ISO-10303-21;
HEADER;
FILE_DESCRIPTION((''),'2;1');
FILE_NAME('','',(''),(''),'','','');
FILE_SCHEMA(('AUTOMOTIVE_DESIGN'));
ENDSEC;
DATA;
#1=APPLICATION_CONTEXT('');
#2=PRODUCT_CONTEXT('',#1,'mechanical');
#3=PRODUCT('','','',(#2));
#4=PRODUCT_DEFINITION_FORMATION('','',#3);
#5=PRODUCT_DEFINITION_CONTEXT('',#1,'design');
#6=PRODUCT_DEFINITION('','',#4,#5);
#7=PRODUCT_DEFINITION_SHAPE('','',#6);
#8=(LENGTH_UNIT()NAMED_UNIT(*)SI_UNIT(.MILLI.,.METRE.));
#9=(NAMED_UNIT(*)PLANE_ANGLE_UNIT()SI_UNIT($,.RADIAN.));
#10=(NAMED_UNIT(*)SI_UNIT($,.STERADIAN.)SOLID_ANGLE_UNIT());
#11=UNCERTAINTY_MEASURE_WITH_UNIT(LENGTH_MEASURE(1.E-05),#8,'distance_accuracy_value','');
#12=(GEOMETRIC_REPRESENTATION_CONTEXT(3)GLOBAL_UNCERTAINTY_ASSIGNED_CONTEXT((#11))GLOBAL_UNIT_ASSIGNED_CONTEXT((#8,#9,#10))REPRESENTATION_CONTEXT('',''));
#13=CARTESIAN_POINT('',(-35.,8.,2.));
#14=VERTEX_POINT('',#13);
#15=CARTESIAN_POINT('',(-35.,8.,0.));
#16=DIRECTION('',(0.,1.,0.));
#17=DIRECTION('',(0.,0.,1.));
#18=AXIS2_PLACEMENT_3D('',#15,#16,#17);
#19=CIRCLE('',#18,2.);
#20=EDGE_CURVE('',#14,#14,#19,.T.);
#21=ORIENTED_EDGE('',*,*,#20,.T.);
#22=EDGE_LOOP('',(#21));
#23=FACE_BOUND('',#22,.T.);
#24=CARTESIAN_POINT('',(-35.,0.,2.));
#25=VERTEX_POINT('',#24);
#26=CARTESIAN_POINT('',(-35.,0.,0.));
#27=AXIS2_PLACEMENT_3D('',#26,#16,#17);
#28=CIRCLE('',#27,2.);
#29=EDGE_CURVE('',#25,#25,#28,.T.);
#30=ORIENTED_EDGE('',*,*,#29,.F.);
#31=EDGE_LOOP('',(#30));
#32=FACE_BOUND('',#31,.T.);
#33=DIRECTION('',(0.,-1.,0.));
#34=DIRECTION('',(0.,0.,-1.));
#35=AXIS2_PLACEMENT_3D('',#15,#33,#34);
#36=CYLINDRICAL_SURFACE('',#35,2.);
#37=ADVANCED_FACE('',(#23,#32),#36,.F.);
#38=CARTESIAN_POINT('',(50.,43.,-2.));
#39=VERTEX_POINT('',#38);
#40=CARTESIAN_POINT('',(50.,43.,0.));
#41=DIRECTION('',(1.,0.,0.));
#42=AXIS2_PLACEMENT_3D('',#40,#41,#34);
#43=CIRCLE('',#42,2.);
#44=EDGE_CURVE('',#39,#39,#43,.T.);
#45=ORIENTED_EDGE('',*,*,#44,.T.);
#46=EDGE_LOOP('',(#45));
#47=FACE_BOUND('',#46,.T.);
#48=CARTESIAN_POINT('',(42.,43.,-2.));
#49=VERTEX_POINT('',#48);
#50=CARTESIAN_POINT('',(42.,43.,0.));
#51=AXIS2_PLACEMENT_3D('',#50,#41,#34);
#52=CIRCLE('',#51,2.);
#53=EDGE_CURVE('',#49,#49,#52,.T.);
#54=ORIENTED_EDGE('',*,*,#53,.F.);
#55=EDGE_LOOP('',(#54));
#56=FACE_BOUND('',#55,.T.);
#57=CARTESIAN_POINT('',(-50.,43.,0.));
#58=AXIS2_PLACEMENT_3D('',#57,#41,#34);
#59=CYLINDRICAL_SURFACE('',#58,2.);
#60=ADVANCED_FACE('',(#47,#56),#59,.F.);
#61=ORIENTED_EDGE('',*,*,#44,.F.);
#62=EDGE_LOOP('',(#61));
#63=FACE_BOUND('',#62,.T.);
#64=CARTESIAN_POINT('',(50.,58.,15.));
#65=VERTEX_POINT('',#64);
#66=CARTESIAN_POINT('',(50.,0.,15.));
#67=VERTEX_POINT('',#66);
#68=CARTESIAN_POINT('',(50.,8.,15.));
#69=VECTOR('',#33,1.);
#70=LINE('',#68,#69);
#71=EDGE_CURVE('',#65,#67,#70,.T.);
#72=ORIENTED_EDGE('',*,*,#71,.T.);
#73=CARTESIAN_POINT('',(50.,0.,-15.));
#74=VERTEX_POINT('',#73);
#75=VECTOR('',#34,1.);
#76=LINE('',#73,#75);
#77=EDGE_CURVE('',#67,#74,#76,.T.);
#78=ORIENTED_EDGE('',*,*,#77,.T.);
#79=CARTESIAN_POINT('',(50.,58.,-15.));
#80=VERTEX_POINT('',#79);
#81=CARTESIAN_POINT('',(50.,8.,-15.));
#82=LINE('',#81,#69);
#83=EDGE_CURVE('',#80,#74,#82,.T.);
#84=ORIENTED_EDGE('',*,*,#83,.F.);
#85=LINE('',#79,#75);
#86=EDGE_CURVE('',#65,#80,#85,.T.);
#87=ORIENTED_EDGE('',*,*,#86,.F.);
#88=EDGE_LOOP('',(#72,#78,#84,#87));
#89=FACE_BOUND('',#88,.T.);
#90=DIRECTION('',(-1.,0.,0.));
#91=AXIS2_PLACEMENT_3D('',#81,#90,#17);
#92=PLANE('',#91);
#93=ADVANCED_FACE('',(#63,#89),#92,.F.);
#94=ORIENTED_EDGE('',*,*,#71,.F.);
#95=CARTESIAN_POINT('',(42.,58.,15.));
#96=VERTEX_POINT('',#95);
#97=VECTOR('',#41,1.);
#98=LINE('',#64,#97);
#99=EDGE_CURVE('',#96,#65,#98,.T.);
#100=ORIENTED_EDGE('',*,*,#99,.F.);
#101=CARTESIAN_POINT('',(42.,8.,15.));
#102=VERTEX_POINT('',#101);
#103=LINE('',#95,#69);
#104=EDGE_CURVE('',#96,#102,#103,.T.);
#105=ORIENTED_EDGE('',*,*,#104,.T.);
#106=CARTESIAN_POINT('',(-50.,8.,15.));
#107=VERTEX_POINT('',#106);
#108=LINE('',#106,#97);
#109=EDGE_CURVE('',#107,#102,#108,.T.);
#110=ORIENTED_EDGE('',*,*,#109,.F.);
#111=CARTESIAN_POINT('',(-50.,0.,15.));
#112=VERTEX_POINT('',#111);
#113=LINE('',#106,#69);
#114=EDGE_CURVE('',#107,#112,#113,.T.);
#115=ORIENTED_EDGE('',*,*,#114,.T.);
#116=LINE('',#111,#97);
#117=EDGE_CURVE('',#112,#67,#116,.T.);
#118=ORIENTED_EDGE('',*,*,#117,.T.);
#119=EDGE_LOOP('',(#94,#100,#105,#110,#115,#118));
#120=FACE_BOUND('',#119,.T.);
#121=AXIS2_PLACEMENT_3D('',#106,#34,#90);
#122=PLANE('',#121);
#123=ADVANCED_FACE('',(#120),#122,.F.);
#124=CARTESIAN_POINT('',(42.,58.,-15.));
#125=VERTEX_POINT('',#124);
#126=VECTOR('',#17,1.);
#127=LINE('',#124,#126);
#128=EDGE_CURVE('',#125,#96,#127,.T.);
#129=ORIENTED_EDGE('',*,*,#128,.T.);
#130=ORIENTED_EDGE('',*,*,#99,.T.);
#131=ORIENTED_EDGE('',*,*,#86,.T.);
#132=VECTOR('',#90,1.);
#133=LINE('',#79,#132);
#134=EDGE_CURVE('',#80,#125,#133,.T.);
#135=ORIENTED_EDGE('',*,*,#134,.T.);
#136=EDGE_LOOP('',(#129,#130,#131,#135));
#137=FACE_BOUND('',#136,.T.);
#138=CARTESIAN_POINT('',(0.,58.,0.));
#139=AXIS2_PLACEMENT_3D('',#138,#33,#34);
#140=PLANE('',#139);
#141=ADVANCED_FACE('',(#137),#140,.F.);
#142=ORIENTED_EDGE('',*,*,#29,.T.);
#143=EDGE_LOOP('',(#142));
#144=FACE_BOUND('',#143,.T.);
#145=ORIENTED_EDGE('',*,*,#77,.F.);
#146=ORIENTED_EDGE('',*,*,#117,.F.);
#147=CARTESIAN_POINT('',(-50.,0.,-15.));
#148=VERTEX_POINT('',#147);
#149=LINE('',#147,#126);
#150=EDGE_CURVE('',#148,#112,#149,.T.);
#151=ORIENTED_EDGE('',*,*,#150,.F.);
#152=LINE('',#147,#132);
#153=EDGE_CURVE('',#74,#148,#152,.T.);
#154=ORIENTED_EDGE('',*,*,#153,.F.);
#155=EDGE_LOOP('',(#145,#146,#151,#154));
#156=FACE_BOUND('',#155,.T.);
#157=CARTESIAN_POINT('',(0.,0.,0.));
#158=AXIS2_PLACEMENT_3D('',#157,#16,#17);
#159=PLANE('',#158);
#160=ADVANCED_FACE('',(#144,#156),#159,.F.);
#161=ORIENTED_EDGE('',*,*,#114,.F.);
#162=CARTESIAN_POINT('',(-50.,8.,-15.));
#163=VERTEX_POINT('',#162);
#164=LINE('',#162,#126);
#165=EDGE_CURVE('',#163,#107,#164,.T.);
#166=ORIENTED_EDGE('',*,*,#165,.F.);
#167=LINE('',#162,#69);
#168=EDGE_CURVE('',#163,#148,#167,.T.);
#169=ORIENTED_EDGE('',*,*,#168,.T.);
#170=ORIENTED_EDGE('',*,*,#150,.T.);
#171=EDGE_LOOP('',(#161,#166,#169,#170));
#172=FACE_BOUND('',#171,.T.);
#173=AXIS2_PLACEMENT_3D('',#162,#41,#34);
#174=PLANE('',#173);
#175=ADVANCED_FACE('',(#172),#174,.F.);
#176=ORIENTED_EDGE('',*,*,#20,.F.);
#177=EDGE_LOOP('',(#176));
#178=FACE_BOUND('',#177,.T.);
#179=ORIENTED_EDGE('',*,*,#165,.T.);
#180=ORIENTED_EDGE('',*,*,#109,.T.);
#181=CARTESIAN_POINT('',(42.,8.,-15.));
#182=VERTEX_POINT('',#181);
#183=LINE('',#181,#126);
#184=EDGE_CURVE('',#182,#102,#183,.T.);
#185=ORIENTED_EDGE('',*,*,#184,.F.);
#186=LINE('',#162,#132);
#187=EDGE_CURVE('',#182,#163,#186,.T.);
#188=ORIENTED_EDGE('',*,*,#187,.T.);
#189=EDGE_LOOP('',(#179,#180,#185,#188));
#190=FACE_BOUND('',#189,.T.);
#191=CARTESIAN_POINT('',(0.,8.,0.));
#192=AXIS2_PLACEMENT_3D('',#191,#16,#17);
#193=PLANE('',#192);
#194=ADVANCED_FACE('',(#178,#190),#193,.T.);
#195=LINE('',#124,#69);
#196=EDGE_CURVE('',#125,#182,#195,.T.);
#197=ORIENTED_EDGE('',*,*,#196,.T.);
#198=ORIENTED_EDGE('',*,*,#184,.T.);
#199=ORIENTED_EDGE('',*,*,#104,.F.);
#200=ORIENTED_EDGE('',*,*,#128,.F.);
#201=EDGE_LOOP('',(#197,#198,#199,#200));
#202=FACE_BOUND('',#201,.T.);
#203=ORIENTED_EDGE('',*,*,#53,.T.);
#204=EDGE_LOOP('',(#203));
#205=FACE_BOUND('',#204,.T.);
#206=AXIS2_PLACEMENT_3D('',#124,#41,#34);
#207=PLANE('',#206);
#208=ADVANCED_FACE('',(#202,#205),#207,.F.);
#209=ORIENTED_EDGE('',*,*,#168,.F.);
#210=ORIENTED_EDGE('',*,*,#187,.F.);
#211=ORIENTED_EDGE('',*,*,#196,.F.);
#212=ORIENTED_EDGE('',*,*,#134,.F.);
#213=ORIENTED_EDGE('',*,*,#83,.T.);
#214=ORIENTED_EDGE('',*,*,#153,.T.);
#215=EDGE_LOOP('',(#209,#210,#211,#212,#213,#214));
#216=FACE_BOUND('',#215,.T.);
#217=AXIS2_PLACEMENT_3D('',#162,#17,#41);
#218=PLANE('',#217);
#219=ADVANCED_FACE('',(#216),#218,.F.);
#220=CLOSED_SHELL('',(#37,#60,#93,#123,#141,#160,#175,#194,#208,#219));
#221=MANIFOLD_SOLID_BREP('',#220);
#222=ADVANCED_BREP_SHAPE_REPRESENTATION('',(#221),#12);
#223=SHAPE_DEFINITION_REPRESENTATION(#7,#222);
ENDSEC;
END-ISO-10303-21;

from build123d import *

# Parameters (mm, degrees)
SKETCH1_W           = 100
SKETCH1_H           = 30
SKETCH1_R           = 2
BOSS_EXTRUDE1_DEPTH = 8
SKETCH2_W           = 8
SKETCH2_H           = 30
BOSS_EXTRUDE2_DEPTH = 50
SKETCH3_R           = 2
CUT_EXTRUDE1_DEPTH  = 117.571866246


with BuildPart() as part:
    # Sketch1 → Boss-Extrude1 (new body)
    with BuildSketch(Plane(origin=(0, 0, 0), x_dir=(1, 0, 0), z_dir=(0, 1, 0))):
        Rectangle(SKETCH1_W, SKETCH1_H)
        with Locations(Location((-35, 0, 0), (0, 0, 270))):
            Circle(SKETCH1_R, mode=Mode.SUBTRACT)
    extrude(amount=BOSS_EXTRUDE1_DEPTH)

    # Sketch2 → Boss-Extrude2 (add)
    with BuildSketch(Plane(origin=(0, 8, 0), x_dir=(1, 0, 0), z_dir=(0, 1, 0))):
        with Locations((46, 0)):
            Rectangle(SKETCH2_W, SKETCH2_H)
    extrude(amount=BOSS_EXTRUDE2_DEPTH)

    # Sketch3 → Cut-Extrude1 (cut, through all)
    with BuildSketch(Plane(origin=(50, 0, 0), x_dir=(0, 0, -1), z_dir=(1, 0, 0))):
        with Locations((0, 43)):
            Circle(SKETCH3_R)
    extrude(amount=-CUT_EXTRUDE1_DEPTH, mode=Mode.SUBTRACT)


solid = part.part
